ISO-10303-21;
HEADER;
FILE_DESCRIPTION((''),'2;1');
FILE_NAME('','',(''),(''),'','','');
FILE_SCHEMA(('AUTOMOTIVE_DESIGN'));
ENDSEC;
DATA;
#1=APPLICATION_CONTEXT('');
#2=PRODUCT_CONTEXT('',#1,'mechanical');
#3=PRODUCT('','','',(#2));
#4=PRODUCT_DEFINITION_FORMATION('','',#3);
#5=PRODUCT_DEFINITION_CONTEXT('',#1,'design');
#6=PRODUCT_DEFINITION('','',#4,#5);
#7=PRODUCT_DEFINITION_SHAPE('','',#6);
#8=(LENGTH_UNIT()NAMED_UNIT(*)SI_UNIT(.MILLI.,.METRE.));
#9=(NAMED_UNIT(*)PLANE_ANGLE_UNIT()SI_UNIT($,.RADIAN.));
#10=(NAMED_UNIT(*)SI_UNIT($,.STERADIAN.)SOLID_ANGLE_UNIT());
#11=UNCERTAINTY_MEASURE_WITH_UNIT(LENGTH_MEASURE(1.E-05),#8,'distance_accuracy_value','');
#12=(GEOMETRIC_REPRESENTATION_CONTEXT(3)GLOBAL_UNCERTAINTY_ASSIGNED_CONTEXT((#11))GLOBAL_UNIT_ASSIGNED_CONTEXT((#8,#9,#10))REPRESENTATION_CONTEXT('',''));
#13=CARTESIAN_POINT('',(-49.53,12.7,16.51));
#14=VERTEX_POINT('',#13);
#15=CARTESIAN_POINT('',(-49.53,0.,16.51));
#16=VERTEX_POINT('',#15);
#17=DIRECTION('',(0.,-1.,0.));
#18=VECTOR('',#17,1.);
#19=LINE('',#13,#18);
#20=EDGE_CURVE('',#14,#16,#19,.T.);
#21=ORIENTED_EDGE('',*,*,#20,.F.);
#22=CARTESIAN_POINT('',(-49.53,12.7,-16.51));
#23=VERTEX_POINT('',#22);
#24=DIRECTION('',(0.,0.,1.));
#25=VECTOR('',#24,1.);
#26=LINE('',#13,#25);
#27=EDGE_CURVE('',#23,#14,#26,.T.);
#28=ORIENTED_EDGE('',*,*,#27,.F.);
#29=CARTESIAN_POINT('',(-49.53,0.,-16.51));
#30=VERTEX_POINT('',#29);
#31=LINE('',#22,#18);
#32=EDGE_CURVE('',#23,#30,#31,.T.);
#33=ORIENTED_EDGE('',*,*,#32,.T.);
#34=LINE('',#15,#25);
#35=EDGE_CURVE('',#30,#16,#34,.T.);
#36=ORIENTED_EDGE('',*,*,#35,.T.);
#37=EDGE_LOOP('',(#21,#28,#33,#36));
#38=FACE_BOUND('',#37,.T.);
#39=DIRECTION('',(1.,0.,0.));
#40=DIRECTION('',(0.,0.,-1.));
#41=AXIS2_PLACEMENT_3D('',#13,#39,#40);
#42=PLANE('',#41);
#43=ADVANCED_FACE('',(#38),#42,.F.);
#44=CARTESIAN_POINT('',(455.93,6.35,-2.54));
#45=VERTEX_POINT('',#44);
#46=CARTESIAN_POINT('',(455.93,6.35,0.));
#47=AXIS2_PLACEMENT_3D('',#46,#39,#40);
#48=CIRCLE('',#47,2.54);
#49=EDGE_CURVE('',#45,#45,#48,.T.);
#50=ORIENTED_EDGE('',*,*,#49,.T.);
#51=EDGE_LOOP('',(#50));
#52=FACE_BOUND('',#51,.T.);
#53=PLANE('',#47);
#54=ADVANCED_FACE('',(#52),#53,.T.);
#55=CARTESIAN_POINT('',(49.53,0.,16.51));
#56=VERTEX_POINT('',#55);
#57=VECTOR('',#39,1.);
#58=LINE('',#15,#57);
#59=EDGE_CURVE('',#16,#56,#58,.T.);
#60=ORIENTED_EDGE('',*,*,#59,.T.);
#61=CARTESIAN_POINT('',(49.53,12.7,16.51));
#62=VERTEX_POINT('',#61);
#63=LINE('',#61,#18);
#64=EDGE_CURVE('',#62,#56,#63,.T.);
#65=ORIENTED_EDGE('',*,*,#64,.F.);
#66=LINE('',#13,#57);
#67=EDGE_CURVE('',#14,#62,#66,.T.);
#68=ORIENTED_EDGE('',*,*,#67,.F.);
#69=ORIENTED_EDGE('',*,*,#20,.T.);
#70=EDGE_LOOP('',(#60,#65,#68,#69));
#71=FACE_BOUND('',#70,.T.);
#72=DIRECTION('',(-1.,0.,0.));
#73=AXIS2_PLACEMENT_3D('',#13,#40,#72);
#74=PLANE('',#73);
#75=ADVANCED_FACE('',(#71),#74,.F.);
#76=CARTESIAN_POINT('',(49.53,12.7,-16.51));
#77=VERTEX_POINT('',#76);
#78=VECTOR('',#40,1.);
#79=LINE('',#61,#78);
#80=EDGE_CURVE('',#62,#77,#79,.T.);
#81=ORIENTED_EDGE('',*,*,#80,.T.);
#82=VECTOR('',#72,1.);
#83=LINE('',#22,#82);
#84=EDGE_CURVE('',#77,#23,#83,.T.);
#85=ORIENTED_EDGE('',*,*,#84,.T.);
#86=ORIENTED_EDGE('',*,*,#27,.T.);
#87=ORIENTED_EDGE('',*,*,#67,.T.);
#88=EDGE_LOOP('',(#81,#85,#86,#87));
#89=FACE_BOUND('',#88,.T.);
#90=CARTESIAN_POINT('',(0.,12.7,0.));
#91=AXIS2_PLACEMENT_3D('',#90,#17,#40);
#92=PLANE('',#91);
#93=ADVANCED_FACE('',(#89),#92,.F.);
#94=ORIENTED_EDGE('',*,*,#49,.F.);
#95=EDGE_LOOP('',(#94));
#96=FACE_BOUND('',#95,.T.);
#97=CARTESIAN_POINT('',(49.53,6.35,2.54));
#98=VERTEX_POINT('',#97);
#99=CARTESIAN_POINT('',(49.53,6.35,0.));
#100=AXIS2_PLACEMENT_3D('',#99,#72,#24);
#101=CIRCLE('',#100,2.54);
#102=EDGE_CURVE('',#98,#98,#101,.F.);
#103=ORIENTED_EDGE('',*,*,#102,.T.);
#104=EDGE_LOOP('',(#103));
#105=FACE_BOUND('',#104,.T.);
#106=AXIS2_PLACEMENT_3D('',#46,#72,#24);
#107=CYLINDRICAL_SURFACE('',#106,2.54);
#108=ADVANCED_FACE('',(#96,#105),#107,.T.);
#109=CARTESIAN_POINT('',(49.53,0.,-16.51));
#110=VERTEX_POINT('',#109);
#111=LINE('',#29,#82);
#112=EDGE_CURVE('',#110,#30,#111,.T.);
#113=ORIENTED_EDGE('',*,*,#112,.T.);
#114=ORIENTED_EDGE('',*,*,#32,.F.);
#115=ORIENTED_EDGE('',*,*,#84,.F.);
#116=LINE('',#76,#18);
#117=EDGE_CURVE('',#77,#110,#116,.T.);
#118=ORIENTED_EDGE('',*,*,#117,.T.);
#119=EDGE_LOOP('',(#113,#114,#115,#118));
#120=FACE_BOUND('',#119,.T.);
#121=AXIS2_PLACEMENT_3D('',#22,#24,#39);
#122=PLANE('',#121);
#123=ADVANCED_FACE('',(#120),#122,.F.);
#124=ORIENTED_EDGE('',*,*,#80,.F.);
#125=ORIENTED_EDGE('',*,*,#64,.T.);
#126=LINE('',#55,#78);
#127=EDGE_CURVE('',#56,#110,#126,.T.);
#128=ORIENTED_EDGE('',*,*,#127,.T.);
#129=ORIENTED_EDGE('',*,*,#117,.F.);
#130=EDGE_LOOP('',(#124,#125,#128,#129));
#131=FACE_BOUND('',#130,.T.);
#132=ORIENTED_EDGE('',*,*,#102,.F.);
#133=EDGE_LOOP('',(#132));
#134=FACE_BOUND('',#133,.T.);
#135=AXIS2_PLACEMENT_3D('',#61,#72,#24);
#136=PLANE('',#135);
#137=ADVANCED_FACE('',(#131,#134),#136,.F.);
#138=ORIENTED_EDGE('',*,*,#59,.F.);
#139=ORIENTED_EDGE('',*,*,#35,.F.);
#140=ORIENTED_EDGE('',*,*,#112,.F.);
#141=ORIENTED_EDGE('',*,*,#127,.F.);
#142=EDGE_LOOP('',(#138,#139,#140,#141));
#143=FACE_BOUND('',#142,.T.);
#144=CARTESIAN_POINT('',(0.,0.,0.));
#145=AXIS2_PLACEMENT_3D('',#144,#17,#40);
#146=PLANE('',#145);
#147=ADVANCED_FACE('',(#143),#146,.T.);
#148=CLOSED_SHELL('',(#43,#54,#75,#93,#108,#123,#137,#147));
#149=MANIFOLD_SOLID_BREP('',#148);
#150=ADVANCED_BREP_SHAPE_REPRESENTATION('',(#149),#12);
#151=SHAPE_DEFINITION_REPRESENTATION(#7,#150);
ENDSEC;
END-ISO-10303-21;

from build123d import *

# Parameters (mm, degrees)
SKETCH1_W           = 99.06
SKETCH1_H           = 33.02
BOSS_EXTRUDE1_DEPTH = 12.7
SKETCH2_R           = 2.54
BOSS_EXTRUDE2_DEPTH = 406.4


with BuildPart() as part:
    # Sketch1 → Boss-Extrude1 (new body)
    with BuildSketch(Plane(origin=(0, 0, 0), x_dir=(1, 0, 0), z_dir=(0, 1, 0))):
        Rectangle(SKETCH1_W, SKETCH1_H)
    extrude(amount=BOSS_EXTRUDE1_DEPTH)

    # Sketch2 → Boss-Extrude2 (add)
    with BuildSketch(Plane(origin=(49.53, 0, 0), x_dir=(0, 0, -1), z_dir=(1, 0, 0))):
        with Locations((0, 6.35)):
            Circle(SKETCH2_R)
    extrude(amount=BOSS_EXTRUDE2_DEPTH)


solid = part.part
